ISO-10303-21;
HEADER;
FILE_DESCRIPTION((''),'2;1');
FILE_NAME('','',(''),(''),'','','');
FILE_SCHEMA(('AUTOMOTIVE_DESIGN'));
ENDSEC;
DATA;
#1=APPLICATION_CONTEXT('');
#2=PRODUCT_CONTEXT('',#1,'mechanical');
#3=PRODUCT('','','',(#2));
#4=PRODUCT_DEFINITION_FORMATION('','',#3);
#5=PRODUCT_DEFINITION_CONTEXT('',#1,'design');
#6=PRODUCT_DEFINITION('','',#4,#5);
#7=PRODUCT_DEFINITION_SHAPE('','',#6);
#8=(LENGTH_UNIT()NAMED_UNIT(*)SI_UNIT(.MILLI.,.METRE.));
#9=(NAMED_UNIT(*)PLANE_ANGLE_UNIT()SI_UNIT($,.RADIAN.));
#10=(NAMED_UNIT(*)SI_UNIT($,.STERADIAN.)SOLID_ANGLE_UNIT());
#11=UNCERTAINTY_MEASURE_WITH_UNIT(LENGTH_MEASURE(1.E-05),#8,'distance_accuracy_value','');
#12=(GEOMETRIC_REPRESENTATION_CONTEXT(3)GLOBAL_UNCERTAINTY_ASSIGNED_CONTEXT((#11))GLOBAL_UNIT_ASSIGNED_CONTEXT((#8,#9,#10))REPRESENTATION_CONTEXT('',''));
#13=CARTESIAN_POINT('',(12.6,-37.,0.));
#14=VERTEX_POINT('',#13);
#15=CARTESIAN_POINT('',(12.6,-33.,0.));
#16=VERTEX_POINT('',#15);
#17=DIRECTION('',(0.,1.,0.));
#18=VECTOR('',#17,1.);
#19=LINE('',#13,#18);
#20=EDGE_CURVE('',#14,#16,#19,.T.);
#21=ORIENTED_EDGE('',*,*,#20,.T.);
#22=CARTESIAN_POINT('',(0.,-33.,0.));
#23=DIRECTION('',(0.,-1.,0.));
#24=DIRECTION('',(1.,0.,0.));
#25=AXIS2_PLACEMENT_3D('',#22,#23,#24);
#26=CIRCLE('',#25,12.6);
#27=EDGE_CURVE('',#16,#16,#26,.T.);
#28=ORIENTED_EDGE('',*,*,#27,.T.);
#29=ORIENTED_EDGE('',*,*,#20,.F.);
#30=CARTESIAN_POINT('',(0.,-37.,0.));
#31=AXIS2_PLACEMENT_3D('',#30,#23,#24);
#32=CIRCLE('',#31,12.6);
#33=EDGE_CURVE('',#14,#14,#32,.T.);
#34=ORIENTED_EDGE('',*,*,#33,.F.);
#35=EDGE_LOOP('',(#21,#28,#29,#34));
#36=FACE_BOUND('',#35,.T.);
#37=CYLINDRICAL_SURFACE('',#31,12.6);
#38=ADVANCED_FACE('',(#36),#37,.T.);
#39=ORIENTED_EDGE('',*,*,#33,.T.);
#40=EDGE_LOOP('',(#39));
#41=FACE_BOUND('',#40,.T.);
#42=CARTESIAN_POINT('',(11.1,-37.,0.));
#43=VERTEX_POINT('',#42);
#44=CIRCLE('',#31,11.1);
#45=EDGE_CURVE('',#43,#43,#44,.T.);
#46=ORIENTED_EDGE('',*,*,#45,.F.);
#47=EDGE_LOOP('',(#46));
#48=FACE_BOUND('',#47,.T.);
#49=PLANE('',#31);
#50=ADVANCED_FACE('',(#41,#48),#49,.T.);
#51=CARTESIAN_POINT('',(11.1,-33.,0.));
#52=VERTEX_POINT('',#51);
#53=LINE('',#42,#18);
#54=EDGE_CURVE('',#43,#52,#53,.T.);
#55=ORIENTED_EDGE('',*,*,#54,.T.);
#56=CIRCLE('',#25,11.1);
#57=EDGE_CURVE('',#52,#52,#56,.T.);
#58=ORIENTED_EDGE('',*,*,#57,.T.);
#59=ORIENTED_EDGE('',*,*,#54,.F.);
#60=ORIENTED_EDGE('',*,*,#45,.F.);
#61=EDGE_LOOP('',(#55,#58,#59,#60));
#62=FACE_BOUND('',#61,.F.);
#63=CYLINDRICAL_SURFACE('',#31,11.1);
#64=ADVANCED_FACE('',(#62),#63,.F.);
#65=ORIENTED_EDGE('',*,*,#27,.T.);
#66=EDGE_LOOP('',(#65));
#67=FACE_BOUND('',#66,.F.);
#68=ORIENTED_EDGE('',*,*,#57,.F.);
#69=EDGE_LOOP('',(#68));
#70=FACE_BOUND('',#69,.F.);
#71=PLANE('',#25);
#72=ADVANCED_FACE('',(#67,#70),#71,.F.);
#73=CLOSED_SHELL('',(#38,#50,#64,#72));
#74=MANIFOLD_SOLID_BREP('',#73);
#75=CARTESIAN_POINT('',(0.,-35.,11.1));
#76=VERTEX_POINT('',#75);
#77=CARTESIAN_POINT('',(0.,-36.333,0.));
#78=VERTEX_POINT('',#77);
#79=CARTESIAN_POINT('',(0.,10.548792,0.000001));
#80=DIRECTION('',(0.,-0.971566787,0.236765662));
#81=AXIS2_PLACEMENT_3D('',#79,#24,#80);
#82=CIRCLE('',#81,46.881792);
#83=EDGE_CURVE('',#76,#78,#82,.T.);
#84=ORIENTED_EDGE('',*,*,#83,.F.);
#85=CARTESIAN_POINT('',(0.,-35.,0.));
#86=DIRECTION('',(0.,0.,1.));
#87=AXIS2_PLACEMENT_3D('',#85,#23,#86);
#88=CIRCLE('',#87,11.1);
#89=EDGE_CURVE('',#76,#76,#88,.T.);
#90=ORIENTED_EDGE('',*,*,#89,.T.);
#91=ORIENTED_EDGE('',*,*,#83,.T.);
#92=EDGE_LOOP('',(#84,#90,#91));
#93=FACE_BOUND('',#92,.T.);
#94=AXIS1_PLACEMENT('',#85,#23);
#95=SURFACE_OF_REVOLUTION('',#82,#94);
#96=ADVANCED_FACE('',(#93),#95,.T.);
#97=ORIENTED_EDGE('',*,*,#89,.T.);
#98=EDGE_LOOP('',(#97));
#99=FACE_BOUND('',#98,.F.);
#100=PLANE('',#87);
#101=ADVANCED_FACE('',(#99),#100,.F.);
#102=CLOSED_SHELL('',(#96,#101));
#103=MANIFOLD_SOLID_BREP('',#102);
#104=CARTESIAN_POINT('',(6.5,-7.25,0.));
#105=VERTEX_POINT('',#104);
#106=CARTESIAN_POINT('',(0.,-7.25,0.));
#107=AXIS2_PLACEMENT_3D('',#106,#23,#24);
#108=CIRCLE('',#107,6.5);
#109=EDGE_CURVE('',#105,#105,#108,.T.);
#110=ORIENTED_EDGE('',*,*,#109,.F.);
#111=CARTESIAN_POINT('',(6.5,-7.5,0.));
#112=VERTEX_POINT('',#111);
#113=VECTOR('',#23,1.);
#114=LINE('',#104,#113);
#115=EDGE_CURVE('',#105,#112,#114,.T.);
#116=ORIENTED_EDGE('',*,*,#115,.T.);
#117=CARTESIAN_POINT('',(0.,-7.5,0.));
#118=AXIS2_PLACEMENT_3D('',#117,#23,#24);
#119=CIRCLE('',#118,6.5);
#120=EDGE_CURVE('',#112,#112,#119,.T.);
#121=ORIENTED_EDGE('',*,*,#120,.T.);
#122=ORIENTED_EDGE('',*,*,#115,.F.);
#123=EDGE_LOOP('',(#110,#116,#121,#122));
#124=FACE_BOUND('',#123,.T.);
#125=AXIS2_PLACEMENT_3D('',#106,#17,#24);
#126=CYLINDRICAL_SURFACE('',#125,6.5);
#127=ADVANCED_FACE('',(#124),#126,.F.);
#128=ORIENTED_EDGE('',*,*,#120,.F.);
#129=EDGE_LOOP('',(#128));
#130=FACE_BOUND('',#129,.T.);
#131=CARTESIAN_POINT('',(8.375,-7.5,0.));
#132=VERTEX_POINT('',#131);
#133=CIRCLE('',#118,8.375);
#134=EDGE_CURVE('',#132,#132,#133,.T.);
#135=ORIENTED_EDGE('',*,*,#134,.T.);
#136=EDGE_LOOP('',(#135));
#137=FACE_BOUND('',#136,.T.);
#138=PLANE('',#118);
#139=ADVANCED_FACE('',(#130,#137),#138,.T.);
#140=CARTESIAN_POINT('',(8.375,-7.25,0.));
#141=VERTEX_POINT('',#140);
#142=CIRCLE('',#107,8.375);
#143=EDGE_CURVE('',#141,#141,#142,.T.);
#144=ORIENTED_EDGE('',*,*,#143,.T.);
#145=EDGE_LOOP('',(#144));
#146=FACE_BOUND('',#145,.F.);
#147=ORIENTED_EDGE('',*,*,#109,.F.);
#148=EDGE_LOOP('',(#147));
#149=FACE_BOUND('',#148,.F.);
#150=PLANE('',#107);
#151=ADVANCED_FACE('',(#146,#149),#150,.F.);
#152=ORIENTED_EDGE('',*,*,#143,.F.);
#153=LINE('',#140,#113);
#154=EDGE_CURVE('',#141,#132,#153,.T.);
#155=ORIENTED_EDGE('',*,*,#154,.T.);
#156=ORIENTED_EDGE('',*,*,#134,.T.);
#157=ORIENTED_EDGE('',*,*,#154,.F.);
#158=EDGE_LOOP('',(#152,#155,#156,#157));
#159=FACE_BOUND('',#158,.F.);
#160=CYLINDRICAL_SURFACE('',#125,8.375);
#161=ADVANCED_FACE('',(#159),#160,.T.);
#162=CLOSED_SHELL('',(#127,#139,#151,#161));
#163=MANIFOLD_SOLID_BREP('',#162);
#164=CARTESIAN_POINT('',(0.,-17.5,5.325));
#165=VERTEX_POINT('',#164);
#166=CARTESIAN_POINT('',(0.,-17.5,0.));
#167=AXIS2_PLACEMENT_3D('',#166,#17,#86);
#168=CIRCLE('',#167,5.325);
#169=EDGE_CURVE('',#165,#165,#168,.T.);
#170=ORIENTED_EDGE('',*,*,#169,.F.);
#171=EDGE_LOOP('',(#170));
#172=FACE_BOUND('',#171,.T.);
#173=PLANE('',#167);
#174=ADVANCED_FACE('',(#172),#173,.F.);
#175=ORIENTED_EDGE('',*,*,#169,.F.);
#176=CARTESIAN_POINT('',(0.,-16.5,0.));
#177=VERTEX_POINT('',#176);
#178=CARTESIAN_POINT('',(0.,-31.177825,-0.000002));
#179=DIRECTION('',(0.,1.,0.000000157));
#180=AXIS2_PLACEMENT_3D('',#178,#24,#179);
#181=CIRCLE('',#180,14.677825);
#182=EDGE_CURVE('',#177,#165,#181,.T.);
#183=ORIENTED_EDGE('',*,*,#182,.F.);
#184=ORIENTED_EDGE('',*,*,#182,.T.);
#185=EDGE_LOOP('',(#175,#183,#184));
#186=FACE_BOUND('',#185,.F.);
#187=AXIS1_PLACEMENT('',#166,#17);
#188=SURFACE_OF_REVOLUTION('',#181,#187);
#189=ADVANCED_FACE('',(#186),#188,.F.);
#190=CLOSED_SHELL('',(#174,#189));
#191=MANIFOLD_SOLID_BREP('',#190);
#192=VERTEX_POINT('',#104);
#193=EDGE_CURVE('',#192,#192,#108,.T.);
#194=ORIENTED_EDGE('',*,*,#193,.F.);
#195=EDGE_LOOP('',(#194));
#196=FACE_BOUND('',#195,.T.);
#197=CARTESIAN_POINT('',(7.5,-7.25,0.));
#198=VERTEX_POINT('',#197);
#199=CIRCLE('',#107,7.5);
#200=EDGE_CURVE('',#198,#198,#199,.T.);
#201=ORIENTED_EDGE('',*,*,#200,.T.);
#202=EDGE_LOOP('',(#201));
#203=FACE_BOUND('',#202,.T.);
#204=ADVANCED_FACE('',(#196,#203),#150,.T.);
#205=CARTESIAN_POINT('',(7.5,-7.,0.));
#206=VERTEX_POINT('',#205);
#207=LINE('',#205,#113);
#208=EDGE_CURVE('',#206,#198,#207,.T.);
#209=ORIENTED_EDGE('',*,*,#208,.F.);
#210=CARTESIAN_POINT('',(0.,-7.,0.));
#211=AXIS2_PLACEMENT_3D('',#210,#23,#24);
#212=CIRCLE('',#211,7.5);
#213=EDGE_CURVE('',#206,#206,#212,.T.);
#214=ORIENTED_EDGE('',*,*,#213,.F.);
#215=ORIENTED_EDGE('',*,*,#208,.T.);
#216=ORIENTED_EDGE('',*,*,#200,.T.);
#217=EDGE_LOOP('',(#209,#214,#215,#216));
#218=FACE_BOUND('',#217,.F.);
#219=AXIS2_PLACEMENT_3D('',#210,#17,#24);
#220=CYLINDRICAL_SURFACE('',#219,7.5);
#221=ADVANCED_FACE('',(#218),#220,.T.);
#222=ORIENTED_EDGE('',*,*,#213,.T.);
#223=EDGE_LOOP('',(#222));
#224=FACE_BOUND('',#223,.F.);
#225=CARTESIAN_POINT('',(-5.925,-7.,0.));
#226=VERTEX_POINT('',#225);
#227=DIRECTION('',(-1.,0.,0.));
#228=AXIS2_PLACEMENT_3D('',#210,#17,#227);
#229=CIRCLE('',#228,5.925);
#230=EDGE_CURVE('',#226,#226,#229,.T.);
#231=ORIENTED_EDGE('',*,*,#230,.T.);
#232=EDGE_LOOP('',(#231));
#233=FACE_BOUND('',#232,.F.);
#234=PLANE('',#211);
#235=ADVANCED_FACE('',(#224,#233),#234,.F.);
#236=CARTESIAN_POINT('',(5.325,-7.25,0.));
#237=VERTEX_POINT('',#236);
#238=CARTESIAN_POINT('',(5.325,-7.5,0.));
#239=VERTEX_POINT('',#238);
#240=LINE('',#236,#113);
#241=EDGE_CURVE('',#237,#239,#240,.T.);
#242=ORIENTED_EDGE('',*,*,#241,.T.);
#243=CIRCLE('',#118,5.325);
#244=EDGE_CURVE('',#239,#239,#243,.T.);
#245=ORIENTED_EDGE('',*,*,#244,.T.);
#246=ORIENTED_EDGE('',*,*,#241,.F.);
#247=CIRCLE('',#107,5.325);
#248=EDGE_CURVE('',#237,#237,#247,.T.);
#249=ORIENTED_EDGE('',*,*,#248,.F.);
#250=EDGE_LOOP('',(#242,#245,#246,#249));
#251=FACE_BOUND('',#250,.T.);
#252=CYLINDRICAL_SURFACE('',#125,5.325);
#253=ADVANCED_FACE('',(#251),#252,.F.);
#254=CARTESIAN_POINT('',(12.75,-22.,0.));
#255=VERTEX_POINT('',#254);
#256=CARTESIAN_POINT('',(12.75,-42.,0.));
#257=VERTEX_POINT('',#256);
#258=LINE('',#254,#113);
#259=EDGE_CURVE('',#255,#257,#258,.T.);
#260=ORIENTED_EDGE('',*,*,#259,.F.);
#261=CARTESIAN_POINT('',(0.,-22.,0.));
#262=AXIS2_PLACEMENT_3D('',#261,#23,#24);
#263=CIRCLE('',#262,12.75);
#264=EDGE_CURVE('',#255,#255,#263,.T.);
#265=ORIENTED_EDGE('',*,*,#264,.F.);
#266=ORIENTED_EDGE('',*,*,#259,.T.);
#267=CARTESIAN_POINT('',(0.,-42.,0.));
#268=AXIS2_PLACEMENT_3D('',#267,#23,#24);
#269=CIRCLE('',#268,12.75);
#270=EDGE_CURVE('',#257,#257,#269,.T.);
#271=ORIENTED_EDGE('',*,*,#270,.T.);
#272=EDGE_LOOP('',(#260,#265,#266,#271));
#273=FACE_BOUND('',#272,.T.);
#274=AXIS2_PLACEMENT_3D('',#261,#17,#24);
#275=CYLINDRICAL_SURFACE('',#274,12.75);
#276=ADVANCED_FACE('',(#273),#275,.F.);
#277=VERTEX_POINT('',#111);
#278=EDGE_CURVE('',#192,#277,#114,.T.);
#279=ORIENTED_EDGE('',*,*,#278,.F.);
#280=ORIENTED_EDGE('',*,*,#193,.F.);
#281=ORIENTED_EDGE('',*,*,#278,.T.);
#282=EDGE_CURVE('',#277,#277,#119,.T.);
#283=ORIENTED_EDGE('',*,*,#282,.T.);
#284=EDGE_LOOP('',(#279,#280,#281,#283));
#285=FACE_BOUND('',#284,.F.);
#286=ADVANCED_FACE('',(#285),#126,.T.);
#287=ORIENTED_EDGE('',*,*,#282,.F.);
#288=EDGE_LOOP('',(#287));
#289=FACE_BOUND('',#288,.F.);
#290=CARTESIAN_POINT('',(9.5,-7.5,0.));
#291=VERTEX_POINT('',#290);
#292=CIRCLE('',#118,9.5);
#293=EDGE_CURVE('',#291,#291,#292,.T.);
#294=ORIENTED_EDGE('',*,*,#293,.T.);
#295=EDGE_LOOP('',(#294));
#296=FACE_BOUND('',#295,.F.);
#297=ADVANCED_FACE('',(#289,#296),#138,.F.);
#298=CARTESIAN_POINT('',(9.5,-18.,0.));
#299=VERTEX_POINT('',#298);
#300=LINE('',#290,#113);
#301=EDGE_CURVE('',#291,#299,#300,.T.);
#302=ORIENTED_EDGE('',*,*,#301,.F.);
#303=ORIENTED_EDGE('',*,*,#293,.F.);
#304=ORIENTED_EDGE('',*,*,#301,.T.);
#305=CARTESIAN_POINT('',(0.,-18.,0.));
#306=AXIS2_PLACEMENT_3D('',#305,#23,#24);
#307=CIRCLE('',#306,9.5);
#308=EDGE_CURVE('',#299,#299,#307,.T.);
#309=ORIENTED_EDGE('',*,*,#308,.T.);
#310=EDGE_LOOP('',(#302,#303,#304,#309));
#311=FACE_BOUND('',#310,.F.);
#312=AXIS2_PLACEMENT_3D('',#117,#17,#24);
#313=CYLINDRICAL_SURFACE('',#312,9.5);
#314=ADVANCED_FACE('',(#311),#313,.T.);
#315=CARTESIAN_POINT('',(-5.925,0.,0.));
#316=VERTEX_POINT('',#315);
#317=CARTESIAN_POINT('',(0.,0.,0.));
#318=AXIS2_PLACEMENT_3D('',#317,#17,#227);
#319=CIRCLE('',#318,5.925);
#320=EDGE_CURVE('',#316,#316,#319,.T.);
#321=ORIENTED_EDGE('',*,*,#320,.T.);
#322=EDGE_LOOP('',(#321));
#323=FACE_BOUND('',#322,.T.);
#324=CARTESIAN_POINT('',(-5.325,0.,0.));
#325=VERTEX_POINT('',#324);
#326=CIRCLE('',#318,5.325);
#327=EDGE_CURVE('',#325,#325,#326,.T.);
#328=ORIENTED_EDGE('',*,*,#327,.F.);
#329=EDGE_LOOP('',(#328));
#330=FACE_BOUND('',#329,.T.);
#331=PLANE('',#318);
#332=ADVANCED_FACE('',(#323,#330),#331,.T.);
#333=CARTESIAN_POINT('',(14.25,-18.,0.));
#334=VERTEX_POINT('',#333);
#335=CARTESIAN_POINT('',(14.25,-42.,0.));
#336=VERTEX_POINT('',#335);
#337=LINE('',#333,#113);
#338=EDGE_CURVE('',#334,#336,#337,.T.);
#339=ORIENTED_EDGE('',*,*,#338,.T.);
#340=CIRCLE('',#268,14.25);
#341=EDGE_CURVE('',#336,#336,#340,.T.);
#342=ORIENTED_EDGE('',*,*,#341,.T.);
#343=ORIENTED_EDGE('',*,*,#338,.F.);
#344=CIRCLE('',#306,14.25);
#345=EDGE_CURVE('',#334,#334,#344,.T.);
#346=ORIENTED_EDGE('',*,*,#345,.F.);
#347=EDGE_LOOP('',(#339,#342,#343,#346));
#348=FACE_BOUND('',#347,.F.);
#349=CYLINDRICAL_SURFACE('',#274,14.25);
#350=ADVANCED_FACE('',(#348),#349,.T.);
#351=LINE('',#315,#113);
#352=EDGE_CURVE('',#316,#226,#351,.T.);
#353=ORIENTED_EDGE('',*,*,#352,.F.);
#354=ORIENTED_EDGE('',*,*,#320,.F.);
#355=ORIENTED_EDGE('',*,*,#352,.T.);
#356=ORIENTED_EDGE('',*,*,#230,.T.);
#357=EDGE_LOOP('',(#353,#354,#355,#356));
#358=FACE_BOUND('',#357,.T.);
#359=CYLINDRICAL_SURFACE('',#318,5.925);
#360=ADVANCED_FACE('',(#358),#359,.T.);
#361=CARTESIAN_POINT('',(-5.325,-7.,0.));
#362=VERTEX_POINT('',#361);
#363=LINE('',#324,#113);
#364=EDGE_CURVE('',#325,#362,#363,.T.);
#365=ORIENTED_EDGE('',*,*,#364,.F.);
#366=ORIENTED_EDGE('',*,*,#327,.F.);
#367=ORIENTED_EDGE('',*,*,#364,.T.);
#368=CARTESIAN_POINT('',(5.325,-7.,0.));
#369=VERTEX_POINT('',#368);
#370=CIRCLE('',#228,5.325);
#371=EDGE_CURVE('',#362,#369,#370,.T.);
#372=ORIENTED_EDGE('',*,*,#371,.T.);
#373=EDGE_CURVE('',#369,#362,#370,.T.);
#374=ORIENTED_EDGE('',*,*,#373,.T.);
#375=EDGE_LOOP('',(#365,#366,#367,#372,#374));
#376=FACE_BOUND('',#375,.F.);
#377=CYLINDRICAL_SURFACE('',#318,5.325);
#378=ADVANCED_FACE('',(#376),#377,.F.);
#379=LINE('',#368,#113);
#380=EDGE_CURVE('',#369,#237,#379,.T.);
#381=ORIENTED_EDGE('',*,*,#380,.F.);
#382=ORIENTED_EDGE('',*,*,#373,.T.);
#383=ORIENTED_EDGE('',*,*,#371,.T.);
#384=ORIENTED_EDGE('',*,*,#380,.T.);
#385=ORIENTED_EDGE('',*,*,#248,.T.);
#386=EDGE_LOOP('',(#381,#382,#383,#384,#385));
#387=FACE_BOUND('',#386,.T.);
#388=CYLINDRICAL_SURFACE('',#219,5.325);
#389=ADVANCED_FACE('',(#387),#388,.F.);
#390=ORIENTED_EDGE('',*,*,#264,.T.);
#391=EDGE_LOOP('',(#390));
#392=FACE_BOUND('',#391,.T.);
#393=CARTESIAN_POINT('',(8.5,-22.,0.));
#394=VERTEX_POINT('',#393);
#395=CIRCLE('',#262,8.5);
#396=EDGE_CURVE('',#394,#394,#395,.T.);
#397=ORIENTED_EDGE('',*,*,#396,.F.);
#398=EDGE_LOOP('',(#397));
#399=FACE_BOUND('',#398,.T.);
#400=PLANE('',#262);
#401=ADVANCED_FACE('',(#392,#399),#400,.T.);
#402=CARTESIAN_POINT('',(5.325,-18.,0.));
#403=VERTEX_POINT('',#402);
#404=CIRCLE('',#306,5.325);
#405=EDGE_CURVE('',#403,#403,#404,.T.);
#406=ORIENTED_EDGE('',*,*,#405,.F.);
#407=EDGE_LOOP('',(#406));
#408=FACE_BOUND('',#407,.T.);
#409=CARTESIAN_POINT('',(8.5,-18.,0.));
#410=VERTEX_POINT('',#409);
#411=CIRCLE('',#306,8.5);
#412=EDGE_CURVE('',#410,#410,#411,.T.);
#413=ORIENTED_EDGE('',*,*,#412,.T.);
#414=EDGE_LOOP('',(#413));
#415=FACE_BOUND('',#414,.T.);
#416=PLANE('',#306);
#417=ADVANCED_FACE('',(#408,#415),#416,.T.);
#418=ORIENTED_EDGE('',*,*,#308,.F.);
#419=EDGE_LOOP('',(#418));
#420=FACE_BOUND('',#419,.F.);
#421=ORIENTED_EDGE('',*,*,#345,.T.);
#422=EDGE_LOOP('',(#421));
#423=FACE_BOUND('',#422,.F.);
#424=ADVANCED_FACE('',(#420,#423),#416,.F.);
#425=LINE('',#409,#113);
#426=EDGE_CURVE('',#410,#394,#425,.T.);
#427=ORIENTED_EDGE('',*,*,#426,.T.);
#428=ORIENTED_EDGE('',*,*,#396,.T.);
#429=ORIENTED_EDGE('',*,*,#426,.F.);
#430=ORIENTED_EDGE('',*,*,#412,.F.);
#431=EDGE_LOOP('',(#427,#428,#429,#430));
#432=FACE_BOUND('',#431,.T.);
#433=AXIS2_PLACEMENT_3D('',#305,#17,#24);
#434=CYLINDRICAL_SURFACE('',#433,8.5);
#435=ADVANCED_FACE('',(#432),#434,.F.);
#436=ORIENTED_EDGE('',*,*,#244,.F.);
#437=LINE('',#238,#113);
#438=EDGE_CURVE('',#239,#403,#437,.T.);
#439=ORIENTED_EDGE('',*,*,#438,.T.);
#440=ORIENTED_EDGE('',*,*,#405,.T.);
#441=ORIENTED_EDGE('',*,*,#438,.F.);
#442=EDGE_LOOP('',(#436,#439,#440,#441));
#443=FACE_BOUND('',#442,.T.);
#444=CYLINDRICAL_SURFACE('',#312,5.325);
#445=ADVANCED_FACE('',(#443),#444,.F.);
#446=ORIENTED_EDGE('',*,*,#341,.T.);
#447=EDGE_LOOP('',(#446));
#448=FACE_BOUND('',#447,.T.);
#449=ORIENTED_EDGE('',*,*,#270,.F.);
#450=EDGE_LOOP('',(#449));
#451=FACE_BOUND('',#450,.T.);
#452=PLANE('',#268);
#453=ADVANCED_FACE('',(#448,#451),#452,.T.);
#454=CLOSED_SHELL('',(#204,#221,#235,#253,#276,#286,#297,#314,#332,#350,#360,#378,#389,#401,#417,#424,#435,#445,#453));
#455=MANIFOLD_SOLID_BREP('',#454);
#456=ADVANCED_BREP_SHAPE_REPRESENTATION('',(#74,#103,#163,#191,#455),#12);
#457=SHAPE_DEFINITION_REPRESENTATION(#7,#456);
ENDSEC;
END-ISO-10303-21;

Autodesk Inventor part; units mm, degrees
sketch "Sketch1" plane through (0, 0, 0) normal (0, 1, 0) x (-1, 0, 0)
  circle A0 centre (0, 0) radius 5.925
  circle A1 centre (0, 0) radius 5.325
  dimension "d0" = 11.85
  dimension "d1" = 0.6
extrude "Extrusion1" add sketch "Sketch1" against normal blind 7
thread "Thread1" size "M12x0.5" class "6g" standard "ANSI Metric M Profile" length 6 offset 1
sketch "Sketch2" plane through (0, -7, 0) normal (0, -1, 0) x (1, 0, 0)
  circle A0 centre (0, 0) radius 7.5
  circle A1 centre (0, 0) radius 5.325 projected
  dimension "d6" = 15
extrude "Extrusion2" add sketch "Sketch2" along normal blind 0.25
sketch "Sketch3" plane through (0, -7.25, 0) normal (0, -1, 0) x (1, 0, 0)
  circle A0 centre (0, 0) radius 8.375
  circle A1 centre (0, 0) radius 6.5
  dimension "d9" = 16.75
  dimension "d10" = 13
extrude "Extrusion3" add sketch "Sketch3" along normal blind 0.25 separate body
sketch "Sketch4" plane through (0, -7.25, 0) normal (0, -1, 0) x (1, 0, 0)
  circle A0 centre (0, 0) radius 5.325 projected
  circle A1 centre (0, 0) radius 6.5 projected
extrude "Extrusion4" add sketch "Sketch4" along normal blind 0.25 bodies 1
sketch "Sketch5" plane through (0, -7.5, 0) normal (0, -1, 0) x (1, 0, 0)
  circle A0 centre (0, 0) radius 5.325 projected
  circle A1 centre (0, 0) radius 9.5
  dimension "d15" = 19
extrude "Extrusion5" add sketch "Sketch5" along normal blind 10.5 bodies 1
sketch "Sketch6" plane through (0, -18, 0) normal (0, -1, 0) x (1, 0, 0)
  circle A0 centre (0, 0) radius 14.25
  circle A1 centre (0, 0) radius 9.5 construction
  circle A2 centre (0, 0) radius 8.5
  dimension "d18" = 28.5
  dimension "d19" = 1
extrude "Extrusion6" add sketch "Sketch6" along normal blind 4 bodies 1
sketch "Sketch7" plane through (0, -22, 0) normal (0, -1, 0) x (1, 0, 0)
  circle A0 centre (0, 0) radius 14.25 projected
  circle A1 centre (0, 0) radius 12.75
  dimension "d22" = 1.5
extrude "Extrusion7" add sketch "Sketch7" along normal blind 20 bodies 1
ref_plane "Large Optic" through (0, -37, 0) normal (0, -1, 0) x (1, 0, 0)
sketch "Sketch8" plane through (0, -37, 0) normal (0, -1, 0) x (1, 0, 0)
  circle A0 centre (0, 0) radius 12.75 construction
  circle A1 centre (0, 0) radius 12.6
  circle A2 centre (0, 0) radius 11.1
  dimension "d26" = 0.15
  dimension "d27" = 1.5
extrude "Extrusion8" add sketch "Sketch8" against normal blind 4 separate body
ref_plane "Large Optic Lens" through (0, -35, 0) normal (0, -1, 0) x (1, 0, 0)
sketch "Sketch9" plane through (0, -35, 0) normal (0, -1, 0) x (1, 0, 0)
  circle A0 centre (0, 0) radius 11.1 projected
sketch "Sketch10" plane through (0, 0, 0) normal (1, 0, 0) x (0, 1, 0)
  line L0 (-35, 11.1) -> (-35, -11.1) construction
  line L1 (-35, 0) -> (-36.333, 0)
  arc A0 (-35, 11.1) -> (-36.333, 0) centre (10.5488, 0) ccw
  line L2 (-35, 11.1) -> (-35, 0)
  point P0 (0, 0)
  dimension "d30" = 1.333
revolve "Revolution1" add sketch "Sketch10" angle 360 about axis through (0, -35, 0) along (0, -1, 0) separate body
ref_plane "Small Optic Lens" through (0, -17.5, 0) normal (0, -1, 0) x (1, 0, 0)
sketch "Sketch12" plane through (0, 0, 0) normal (1, 0, 0) x (0, 1, 0)
  line L0 (-17.5, -19.95) -> (-17.5, 19.95) construction
  line L1 (-17.5, 0) -> (-16.5, 0)
  arc A0 (-16.5, 0) -> (-17.5, 5.325) centre (-31.1778, 0) ccw
  line L2 (0, 5.325) -> (-18, 5.325) construction
  line L3 (-17.5, 0) -> (-17.5, 5.325)
  point P0 (0, 0)
  dimension "d33" = 1
revolve "Revolution2" add sketch "Sketch12" angle 360 about axis through (0, -17.5, 0) along (0, 1, 0) bodies 4
properties part number "M12 2.8-12mm F1.4 Lens"
